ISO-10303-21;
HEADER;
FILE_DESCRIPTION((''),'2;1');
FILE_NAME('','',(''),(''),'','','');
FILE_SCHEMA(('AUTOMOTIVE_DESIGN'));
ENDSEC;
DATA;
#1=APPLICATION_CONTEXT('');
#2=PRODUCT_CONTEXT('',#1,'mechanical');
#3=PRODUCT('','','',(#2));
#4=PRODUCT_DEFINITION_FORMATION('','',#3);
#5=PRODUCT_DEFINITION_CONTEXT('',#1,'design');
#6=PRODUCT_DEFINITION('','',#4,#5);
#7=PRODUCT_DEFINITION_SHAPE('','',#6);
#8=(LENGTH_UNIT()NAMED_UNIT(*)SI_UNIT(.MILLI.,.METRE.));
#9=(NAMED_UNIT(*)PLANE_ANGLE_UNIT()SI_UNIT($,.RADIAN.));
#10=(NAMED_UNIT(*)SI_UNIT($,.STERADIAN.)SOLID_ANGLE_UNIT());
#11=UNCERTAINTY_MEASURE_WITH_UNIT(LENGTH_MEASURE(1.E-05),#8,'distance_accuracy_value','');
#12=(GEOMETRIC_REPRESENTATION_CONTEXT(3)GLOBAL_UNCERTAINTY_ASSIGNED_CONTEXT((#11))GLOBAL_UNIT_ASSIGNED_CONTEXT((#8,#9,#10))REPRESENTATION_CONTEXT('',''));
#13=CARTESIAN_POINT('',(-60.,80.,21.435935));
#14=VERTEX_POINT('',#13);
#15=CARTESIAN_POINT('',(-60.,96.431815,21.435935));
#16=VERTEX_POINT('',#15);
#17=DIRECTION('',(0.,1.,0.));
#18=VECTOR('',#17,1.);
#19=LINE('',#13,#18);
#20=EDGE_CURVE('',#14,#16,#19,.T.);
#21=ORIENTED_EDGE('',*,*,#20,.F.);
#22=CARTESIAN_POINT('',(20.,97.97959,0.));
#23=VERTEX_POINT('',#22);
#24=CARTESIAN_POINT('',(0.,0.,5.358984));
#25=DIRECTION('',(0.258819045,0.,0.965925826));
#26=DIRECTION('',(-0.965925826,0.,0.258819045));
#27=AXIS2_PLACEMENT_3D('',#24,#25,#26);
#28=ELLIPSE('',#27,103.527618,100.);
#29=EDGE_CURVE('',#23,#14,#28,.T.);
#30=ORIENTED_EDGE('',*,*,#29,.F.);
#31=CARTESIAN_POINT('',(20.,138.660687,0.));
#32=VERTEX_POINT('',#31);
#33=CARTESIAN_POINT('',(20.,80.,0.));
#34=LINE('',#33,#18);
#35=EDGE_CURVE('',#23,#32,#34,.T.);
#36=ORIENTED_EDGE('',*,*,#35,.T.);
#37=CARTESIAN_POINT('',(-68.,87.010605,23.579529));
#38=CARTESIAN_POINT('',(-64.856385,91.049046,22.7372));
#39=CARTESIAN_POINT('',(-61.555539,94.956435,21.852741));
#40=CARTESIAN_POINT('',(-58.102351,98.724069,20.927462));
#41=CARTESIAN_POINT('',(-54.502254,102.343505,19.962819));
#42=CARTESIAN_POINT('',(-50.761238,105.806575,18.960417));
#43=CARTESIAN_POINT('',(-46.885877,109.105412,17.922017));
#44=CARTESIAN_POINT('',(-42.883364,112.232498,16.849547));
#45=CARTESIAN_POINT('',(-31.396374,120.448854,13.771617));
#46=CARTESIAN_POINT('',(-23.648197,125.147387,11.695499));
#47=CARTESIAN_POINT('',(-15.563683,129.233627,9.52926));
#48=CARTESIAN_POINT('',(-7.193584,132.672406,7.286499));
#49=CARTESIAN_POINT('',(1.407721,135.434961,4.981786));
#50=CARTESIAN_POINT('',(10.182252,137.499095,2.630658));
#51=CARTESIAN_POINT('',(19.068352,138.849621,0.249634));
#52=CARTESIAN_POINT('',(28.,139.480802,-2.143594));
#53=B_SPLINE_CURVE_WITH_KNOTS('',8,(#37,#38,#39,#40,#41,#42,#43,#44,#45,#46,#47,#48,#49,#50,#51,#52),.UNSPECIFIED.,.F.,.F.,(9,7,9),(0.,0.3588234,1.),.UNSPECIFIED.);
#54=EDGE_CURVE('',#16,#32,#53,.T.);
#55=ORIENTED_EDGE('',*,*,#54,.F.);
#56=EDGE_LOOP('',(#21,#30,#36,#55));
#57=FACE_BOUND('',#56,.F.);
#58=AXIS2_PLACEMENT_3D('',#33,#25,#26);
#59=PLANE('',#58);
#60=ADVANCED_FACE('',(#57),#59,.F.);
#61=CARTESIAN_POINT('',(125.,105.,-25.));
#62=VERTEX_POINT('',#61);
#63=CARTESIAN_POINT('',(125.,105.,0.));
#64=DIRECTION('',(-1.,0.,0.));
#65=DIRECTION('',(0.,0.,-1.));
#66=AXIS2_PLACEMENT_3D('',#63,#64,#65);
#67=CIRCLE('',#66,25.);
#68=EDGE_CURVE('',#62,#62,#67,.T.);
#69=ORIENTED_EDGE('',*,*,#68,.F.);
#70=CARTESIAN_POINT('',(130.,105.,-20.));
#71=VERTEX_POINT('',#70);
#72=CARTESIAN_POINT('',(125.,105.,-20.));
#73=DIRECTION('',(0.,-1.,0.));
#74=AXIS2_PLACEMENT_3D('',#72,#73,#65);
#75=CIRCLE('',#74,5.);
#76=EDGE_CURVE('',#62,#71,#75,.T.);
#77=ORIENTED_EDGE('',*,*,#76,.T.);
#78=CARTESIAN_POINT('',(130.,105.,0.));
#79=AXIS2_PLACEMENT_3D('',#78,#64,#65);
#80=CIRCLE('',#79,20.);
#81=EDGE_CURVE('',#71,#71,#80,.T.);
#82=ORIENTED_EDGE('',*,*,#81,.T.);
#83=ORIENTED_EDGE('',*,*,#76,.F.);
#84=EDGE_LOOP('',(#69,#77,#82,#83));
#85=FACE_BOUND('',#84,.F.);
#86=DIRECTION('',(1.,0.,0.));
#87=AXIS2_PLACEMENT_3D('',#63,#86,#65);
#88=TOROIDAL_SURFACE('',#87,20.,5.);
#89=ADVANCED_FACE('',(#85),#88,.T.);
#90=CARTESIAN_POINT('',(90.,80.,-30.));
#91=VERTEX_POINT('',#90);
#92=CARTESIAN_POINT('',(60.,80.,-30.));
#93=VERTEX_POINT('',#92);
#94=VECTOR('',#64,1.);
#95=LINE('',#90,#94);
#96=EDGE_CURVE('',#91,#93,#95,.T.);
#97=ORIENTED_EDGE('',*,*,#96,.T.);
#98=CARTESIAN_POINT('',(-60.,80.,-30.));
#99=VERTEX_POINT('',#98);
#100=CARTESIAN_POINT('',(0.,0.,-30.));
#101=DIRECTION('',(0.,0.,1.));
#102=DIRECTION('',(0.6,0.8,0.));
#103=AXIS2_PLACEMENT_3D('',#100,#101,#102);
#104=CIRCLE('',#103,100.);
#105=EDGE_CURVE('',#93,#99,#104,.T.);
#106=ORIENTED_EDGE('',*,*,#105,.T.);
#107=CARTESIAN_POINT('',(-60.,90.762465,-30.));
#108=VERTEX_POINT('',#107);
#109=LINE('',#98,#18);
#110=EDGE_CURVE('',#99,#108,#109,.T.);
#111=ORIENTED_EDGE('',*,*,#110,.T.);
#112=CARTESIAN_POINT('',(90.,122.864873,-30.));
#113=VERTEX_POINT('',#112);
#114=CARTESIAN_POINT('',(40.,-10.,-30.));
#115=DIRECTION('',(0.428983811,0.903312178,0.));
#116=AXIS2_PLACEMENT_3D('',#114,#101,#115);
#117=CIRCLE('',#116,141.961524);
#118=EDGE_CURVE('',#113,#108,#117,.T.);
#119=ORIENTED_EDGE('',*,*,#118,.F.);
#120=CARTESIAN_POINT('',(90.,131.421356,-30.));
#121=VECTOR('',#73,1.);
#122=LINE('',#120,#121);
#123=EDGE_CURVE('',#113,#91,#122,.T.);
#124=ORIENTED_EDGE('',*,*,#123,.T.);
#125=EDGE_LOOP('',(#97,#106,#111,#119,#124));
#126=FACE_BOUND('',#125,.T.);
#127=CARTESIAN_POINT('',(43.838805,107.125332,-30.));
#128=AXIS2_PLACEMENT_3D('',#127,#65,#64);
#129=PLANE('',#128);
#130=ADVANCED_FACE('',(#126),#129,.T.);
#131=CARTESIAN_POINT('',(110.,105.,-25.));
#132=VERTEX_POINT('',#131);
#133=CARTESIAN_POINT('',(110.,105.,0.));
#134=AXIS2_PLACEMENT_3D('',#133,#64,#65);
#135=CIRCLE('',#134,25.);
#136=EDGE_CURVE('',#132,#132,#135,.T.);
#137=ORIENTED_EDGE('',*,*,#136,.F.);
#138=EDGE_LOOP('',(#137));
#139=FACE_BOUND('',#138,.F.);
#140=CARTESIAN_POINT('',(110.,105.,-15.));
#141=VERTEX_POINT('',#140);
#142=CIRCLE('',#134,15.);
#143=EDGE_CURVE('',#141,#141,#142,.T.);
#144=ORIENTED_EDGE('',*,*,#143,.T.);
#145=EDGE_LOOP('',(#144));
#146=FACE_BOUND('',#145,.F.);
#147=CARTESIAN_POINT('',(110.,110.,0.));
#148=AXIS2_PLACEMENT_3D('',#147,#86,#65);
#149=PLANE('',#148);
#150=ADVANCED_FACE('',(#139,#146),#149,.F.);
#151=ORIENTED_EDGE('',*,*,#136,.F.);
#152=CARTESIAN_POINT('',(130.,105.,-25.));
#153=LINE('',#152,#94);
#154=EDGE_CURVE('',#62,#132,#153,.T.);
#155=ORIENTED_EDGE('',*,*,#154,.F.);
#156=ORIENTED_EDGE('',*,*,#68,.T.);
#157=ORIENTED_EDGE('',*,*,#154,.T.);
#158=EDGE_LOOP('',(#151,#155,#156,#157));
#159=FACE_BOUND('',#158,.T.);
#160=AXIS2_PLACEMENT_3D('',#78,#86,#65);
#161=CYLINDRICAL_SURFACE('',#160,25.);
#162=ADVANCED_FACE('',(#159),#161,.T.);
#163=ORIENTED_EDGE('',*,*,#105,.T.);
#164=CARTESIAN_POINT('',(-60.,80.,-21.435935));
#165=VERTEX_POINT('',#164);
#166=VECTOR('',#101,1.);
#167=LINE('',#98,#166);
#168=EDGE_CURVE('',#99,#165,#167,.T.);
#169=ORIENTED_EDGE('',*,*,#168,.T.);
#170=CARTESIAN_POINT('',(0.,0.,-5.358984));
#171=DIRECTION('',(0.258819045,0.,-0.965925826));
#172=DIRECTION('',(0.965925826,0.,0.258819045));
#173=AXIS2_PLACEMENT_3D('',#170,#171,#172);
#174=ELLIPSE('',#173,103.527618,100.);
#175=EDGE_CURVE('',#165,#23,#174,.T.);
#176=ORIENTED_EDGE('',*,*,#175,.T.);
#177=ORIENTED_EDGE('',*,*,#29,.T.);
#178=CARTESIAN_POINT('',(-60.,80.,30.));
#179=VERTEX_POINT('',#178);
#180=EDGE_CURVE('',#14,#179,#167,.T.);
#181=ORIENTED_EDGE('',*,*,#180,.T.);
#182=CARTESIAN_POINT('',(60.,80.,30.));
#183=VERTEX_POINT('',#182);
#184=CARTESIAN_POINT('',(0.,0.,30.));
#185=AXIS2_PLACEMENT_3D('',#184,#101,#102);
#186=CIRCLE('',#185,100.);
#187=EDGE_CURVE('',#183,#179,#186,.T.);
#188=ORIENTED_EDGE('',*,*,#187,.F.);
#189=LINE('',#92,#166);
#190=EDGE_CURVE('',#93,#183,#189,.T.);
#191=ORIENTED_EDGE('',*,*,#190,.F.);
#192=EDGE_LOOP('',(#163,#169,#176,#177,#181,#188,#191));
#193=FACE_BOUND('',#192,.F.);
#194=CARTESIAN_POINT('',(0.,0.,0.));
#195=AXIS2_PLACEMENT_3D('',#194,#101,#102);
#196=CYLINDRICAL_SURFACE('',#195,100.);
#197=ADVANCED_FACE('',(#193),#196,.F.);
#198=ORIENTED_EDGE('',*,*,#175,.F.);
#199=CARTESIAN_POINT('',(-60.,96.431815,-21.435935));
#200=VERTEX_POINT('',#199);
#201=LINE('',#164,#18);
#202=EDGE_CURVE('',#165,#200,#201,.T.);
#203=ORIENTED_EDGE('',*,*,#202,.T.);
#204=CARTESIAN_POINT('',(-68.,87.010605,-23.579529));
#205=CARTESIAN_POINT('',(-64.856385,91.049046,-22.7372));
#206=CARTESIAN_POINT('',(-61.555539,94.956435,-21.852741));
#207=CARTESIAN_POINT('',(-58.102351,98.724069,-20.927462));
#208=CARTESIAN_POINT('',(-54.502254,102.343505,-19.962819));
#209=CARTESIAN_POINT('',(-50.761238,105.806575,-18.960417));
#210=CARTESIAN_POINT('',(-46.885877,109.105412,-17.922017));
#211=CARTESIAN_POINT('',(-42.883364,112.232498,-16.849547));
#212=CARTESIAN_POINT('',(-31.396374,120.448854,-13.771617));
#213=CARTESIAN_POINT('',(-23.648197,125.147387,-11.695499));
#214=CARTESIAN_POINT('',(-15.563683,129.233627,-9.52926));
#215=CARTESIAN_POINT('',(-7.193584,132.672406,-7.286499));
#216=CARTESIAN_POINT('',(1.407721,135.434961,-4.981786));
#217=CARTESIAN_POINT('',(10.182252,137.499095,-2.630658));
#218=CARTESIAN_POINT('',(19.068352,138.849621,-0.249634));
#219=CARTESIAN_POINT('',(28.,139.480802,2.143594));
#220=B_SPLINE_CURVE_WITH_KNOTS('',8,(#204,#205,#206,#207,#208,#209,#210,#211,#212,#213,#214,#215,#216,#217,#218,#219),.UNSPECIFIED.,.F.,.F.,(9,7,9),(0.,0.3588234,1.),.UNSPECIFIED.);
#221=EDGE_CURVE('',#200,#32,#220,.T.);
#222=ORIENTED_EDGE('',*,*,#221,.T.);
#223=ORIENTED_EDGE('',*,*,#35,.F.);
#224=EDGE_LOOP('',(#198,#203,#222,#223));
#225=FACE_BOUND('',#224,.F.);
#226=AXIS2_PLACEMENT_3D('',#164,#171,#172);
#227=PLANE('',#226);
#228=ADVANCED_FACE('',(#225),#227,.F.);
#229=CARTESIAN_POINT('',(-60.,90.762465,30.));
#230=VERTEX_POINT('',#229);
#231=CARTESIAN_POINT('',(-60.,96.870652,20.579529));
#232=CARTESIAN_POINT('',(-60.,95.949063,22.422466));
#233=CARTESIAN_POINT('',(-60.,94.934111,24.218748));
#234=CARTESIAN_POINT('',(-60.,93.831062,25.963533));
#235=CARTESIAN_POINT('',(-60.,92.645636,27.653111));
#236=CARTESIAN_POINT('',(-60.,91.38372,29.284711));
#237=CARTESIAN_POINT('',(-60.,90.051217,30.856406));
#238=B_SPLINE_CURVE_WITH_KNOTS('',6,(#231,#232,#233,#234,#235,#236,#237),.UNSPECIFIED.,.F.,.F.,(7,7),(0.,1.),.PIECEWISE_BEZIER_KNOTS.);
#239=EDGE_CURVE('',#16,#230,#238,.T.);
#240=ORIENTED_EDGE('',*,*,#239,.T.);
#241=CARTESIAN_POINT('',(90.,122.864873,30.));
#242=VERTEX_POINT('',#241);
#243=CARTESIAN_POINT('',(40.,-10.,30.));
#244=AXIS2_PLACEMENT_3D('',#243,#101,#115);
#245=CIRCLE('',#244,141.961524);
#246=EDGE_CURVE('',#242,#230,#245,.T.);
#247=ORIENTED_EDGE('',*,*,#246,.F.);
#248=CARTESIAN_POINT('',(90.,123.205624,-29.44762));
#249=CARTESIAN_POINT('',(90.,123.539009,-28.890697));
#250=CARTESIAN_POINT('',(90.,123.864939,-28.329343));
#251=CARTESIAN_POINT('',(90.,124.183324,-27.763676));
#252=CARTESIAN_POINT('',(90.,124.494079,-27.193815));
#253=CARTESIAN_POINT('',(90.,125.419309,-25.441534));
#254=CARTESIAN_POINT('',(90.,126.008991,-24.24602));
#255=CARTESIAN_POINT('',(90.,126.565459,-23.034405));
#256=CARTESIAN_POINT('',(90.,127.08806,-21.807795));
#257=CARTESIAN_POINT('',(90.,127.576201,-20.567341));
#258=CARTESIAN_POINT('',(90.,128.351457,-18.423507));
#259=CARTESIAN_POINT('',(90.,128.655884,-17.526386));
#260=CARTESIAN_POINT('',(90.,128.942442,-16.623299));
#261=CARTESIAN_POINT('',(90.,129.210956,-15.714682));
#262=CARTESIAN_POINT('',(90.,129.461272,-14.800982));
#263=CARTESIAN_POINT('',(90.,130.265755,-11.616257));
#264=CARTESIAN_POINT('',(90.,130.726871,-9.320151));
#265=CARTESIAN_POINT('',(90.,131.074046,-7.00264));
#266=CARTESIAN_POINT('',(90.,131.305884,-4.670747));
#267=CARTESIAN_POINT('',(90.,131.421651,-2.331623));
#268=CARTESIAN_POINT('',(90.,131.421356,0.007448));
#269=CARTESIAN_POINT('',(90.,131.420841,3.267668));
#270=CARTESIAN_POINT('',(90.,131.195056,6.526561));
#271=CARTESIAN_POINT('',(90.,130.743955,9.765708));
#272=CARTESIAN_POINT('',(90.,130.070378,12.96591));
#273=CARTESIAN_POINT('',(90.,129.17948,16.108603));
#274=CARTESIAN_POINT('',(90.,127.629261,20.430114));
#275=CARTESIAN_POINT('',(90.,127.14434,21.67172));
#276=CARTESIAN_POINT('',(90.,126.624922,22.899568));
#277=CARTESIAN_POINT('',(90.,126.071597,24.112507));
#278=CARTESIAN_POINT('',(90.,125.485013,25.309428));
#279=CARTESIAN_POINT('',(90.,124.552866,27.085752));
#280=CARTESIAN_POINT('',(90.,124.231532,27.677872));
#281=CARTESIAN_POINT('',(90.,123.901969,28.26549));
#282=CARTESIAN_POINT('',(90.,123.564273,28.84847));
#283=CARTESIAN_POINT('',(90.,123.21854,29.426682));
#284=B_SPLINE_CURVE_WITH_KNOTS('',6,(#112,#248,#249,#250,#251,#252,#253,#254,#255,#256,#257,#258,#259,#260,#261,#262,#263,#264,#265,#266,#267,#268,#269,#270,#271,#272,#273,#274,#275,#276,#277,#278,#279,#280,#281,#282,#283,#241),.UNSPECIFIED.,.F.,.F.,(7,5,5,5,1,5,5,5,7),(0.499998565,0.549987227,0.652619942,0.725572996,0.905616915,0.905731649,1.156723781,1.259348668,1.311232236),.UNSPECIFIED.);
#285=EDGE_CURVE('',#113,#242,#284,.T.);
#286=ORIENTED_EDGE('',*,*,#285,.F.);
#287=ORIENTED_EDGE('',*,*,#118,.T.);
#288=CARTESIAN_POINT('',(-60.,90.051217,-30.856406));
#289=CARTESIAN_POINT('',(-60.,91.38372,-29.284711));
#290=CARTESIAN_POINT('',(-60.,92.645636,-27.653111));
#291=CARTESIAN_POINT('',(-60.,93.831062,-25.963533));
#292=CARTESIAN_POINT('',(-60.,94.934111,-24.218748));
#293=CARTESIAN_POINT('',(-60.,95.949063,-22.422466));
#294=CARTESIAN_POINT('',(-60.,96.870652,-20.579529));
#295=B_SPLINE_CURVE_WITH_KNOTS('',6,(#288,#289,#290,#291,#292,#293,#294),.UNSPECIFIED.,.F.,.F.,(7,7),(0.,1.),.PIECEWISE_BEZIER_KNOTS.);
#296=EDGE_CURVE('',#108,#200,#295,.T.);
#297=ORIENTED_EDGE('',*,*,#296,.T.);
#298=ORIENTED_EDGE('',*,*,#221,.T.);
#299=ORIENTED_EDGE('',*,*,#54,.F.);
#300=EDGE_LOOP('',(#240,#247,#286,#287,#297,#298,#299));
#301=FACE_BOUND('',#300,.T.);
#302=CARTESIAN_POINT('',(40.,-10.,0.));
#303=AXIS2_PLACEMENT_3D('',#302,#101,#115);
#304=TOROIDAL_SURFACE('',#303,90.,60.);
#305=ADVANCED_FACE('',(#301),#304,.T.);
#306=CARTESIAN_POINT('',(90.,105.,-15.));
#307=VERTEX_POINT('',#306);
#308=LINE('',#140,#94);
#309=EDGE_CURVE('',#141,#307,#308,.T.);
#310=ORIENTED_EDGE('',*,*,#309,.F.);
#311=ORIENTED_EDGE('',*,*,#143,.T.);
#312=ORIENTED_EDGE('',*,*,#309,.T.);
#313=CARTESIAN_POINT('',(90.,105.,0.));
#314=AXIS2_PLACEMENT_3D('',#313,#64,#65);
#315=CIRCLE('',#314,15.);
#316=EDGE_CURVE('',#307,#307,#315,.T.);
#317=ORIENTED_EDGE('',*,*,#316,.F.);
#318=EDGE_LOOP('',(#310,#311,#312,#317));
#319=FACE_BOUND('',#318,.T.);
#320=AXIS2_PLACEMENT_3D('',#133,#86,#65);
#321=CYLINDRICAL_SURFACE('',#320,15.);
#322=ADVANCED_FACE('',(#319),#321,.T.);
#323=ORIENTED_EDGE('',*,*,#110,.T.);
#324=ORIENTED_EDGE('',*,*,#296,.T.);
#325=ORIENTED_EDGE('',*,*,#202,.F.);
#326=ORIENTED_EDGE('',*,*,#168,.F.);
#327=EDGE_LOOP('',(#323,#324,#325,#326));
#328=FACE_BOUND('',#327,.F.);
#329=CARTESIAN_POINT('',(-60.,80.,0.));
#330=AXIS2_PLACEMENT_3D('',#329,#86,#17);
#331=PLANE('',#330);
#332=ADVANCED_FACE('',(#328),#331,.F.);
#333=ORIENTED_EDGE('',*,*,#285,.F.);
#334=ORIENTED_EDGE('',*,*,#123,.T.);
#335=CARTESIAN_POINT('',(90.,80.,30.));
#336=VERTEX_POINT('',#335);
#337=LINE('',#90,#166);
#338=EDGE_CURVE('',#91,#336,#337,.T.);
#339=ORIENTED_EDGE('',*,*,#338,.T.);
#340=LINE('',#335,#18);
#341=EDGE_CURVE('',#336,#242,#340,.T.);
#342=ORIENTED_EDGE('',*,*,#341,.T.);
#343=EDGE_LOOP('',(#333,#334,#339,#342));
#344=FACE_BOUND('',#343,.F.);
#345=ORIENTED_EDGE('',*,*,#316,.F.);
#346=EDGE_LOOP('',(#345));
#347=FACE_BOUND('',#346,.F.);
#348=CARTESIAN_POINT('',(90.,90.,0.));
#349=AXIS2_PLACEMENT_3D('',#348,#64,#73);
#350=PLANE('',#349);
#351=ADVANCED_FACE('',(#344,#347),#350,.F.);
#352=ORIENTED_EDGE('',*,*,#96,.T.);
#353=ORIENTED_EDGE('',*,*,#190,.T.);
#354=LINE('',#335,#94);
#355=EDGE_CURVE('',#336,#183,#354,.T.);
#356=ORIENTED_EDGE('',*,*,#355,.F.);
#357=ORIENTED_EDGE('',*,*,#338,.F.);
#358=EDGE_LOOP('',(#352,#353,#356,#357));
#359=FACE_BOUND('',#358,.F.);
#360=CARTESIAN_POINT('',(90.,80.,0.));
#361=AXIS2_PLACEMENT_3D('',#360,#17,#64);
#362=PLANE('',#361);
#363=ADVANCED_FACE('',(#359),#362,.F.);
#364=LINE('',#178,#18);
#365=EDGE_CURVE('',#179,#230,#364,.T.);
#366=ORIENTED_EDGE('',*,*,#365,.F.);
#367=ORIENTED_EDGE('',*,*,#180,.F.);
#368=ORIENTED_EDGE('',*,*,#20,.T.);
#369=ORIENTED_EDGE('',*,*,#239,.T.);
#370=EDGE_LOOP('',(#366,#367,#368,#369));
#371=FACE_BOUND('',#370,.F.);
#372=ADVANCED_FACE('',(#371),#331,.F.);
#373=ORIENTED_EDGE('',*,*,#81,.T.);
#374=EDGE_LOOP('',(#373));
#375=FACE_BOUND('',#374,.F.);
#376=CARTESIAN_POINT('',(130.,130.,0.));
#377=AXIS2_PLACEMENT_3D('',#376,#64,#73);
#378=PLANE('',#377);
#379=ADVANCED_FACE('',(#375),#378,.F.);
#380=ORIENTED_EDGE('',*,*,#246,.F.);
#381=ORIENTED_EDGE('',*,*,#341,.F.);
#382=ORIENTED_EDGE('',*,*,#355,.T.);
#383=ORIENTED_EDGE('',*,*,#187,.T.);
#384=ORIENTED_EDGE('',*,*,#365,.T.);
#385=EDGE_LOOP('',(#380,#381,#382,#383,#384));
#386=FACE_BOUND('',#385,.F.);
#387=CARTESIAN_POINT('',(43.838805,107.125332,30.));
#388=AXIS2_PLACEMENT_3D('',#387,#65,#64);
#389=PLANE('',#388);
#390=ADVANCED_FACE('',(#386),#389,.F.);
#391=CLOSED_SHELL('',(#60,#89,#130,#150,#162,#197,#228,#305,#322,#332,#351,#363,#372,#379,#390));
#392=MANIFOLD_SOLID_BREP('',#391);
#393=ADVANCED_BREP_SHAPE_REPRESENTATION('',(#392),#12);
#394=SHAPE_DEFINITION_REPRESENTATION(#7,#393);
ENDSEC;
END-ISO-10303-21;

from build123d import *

# Parameters (mm, degrees)
BOSS_EXTRUDE1_DEPTH     = 30
SKETCH3_OUTSIDE_W       = 103.618
SKETCH3_OUTSIDE_H       = 103.618
SKETCH3_OUTSIDE_R       = 25
CUT_EXTRUDE1_DEPTH      = 40
CUT_EXTRUDE2_START      = -20
SKETCH4_OUTSIDE_W       = 103.618
SKETCH4_OUTSIDE_H       = 103.618
SKETCH4_OUTSIDE_R       = 15
CUT_EXTRUDE2_DEPTH      = 20
FILLET1_R               = 5
CUT_EXTRUDE3_REACH      = 148.287
CUT_EXTRUDE3_END_RADIUS = 150


with BuildPart() as part:
    # Sketch2 → Boss-Extrude1 (new, symmetric)
    with BuildSketch(Plane.XY):
        with BuildLine():
            Line((-60, 80), (-60, 101.803398875))
            ThreePointArc((-60, 101.803398875), (10.943058496, 137.158737934), (90, 131.421356237))
            Line((90, 131.421356237), (90, 120))
            Line((90, 120), (110, 120))
            Line((110, 120), (110, 130))
            Line((110, 130), (130, 130))
            Line((130, 130), (130, 80))
            Line((130, 80), (110, 80))
            Line((110, 80), (110, 90))
            Line((110, 90), (90, 90))
            Line((90, 90), (90, 80))
            Line((90, 80), (60, 80))
            ThreePointArc((60, 80), (0, 100), (-60, 80))
        make_face()
    extrude(amount=BOSS_EXTRUDE1_DEPTH, both=True)

    # Sketch3 outside → Cut-Extrude1 (cut)
    with BuildSketch(Plane(origin=(130, 0, 0), x_dir=(0, 0, -1), z_dir=(1, 0, 0))):
        with Locations((0, 110)):
            Rectangle(SKETCH3_OUTSIDE_W, SKETCH3_OUTSIDE_H)
        with Locations((0, 105)):
            Circle(SKETCH3_OUTSIDE_R, mode=Mode.SUBTRACT)
    extrude(amount=-CUT_EXTRUDE1_DEPTH, mode=Mode.SUBTRACT)

    # Sketch4 outside → Cut-Extrude2 (cut)
    with BuildSketch(Plane(origin=(130, 0, 0), x_dir=(0, 0, -1), z_dir=(1, 0, 0)).offset(CUT_EXTRUDE2_START)):
        with Locations((0, 110)):
            Rectangle(SKETCH4_OUTSIDE_W, SKETCH4_OUTSIDE_H)
        with Locations((0, 105)):
            Circle(SKETCH4_OUTSIDE_R, mode=Mode.SUBTRACT)
    extrude(amount=-CUT_EXTRUDE2_DEPTH, mode=Mode.SUBTRACT)

    # Fillet1
    fillet1_edges = [part.edges().sort_by_distance(p)[0] for p in [
        (130, 105, 25),
    ]]
    fillet(fillet1_edges, radius=FILLET1_R)

    # Cut-Extrude3: up to this cylinder (the profile starts inside it)
    cut_extrude3_end = Plane(origin=(40, -10, 0), z_dir=(0, 0, -1)) * Cylinder(CUT_EXTRUDE3_END_RADIUS, 597.574, mode=Mode.PRIVATE)
    # Sketch5 → Cut-Extrude3 (cut, up to the surface)
    with BuildSketch(Plane.XZ.offset(-80), mode=Mode.PRIVATE) as cut_extrude3_sk1:
        Polygon((20, 0), (-60, 21.435935394), (-60, -21.435935394), align=None)
    cut_extrude3_tool1 = extrude(cut_extrude3_sk1.sketch, amount=-CUT_EXTRUDE3_REACH, mode=Mode.PRIVATE) & cut_extrude3_end
    add(cut_extrude3_tool1.solids().sort_by_distance((-33.333333, 80, 0))[0], mode=Mode.SUBTRACT)

    # SurfaceCut4: cut with a surface, the side it looks to stays
    # Surface-Sweep1: a surface, the sketch's curves swept along a path
    with BuildLine(Plane(origin=(40, 0, 0), x_dir=(0, 0, -1), z_dir=(1, 0, 0)), mode=Mode.PRIVATE) as surface_sweep1_1_profile:
        Line((0, 20), (0, 80))
        Line((0, 80), (60, 80))
        ThreePointArc((60, 80), (-42.426406871, 122.426406871), (0, 20))
    with BuildLine(Plane.XY, mode=Mode.PRIVATE) as surface_sweep1_1_along:
        ThreePointArc((104.347571597, 125.49682664), (-0.649478186, 134.387049015), (-85.586612969, 72.024402728))
    surface_sweep1_1 = Shell.sweep(surface_sweep1_1_profile.wire(), surface_sweep1_1_along.wire())
    split(bisect_by=surface_sweep1_1, keep=Keep.TOP)


solid = part.part
